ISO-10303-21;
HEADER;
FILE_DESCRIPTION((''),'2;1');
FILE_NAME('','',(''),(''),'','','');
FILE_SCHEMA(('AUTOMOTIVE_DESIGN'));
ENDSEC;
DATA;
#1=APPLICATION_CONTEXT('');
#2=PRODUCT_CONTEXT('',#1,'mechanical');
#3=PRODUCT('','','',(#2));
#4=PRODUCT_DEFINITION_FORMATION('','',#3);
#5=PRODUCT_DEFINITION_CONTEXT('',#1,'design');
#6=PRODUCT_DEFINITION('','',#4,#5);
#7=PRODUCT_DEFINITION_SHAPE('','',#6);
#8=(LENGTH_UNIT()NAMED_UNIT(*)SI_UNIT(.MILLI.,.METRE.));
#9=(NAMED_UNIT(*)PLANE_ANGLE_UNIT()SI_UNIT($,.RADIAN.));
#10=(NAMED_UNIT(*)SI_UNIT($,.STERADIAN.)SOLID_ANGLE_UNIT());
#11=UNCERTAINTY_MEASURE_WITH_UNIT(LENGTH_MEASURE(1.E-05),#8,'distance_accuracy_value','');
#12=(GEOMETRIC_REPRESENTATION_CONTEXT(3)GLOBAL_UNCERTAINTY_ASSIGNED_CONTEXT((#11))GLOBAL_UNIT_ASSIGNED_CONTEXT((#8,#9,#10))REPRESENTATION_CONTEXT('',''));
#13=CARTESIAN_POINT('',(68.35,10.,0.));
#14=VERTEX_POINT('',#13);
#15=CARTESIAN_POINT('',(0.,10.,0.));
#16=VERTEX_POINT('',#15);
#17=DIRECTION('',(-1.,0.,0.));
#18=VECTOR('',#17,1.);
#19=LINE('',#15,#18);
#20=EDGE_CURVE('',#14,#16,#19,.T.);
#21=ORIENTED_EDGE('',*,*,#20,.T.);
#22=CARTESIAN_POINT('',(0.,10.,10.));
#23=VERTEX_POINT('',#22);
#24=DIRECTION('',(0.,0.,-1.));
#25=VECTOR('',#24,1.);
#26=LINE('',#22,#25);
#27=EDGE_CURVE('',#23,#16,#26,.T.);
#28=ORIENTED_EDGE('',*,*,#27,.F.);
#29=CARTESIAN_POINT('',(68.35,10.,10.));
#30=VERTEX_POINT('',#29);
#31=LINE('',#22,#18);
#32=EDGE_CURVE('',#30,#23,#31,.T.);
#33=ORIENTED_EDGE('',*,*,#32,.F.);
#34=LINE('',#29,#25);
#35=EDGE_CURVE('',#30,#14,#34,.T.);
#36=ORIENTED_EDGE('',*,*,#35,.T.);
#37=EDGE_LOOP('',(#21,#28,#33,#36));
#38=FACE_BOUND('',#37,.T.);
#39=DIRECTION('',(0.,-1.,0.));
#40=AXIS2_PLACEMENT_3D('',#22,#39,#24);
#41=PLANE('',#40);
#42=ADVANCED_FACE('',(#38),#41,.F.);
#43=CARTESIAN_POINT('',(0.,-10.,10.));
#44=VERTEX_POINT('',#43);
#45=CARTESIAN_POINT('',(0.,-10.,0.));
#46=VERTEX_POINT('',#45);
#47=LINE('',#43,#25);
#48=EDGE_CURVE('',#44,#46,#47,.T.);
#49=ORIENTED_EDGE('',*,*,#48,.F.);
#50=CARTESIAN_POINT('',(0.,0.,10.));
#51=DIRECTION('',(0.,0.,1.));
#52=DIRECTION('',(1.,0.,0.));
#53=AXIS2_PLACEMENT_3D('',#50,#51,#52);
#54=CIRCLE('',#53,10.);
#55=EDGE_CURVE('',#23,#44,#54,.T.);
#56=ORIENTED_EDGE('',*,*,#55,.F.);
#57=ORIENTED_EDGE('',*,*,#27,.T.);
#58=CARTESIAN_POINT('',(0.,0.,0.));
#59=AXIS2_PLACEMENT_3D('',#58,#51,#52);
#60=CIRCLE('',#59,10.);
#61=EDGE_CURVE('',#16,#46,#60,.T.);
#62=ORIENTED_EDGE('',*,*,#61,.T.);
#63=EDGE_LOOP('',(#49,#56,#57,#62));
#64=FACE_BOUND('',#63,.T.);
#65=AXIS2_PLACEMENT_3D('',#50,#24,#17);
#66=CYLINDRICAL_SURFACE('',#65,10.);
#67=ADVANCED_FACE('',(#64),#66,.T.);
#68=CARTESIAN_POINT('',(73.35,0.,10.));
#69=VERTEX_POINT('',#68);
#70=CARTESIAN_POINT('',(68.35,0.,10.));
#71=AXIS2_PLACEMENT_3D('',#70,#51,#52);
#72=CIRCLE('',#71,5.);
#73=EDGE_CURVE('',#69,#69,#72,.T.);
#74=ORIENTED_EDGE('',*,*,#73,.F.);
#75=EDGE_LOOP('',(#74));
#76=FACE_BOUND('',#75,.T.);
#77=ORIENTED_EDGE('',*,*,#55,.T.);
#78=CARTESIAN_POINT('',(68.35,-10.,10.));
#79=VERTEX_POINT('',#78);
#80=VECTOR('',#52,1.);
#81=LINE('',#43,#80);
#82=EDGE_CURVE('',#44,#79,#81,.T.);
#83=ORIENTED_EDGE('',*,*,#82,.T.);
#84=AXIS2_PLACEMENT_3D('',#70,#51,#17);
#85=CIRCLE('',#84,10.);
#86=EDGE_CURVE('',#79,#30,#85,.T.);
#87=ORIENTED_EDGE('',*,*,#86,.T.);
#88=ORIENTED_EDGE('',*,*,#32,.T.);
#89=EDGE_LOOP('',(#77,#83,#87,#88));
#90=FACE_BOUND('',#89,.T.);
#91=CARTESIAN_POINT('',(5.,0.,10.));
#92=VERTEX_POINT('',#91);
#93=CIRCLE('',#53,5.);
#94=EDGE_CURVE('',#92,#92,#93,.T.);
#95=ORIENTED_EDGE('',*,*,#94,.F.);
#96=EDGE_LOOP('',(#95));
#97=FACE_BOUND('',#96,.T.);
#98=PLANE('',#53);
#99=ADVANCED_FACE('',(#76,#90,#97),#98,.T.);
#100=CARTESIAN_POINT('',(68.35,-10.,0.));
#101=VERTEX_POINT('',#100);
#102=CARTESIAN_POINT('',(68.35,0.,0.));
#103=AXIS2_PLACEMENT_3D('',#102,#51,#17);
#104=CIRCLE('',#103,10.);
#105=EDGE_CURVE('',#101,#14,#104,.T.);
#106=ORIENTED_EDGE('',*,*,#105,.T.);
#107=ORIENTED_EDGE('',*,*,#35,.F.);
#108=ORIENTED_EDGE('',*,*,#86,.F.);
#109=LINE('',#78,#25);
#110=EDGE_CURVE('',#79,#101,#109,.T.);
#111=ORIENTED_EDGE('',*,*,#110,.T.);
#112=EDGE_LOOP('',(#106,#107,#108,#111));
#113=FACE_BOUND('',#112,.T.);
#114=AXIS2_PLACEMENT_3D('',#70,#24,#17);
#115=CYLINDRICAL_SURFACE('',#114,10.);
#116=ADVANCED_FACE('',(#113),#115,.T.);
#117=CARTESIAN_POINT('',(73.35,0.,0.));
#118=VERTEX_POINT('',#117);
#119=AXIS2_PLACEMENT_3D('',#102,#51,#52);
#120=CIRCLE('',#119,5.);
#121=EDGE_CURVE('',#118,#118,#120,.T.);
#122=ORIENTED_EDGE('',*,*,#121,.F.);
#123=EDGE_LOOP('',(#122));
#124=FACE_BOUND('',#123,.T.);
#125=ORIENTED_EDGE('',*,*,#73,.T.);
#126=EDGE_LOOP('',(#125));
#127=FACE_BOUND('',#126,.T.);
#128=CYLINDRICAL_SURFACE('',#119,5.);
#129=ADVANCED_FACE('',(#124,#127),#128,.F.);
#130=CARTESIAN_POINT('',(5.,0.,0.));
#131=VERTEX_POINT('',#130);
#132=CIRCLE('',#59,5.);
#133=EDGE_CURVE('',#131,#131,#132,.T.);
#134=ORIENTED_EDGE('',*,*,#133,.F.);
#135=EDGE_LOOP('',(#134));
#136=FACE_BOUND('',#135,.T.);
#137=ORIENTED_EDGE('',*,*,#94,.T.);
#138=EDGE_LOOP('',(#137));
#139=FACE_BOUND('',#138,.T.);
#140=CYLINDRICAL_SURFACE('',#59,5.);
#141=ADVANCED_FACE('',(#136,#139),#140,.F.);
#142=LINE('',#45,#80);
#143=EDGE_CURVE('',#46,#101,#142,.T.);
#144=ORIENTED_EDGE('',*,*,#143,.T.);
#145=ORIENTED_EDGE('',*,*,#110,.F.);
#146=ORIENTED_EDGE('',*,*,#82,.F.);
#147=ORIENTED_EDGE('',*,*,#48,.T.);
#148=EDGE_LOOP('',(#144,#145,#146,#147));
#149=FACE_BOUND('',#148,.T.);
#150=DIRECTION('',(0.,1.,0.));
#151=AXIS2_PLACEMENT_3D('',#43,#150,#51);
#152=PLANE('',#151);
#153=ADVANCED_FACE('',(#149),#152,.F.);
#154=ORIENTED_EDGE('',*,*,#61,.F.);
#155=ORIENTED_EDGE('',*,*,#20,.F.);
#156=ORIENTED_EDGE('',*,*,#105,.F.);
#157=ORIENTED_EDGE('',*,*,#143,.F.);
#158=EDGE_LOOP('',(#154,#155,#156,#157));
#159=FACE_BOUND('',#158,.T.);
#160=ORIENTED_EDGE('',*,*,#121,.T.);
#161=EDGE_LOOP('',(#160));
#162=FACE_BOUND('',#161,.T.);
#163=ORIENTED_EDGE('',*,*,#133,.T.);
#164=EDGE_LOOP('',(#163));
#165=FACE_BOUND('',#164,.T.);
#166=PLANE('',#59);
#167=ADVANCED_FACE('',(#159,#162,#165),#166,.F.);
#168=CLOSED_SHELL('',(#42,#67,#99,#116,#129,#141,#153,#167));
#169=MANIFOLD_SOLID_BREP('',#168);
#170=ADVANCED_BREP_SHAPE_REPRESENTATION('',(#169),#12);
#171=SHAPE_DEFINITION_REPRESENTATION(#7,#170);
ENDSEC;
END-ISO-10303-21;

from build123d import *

# Parameters (mm, degrees)
EXTRUDE_1_DEPTH     = 10
SKETCH_2_R          = 5
CUT_EXTRUDE_1_DEPTH = 10
SKETCH_3_R          = 5
CUT_EXTRUDE_2_DEPTH = 10


with BuildPart() as part:
    # 草图1 → 凸台-拉伸1 (new body)
    with BuildSketch(Plane.XY):
        with BuildLine():
            Line((0, -10), (68.35, -10))
            ThreePointArc((68.35, -10), (78.35, 0), (68.35, 10))
            Line((68.35, 10), (0, 10))
            ThreePointArc((0, 10), (-10, 0), (0, -10))
        make_face()
    extrude(amount=EXTRUDE_1_DEPTH)

    # 草图2 → 切除-拉伸1 (cut)
    with BuildSketch(Plane.XY.offset(10)):
        Circle(SKETCH_2_R)
    extrude(amount=-CUT_EXTRUDE_1_DEPTH, mode=Mode.SUBTRACT)

    # 草图3 → 切除-拉伸2 (cut)
    with BuildSketch(Plane.XY.offset(10)):
        with Locations((68.35, 0)):
            Circle(SKETCH_3_R)
    extrude(amount=-CUT_EXTRUDE_2_DEPTH, mode=Mode.SUBTRACT)


solid = part.part
